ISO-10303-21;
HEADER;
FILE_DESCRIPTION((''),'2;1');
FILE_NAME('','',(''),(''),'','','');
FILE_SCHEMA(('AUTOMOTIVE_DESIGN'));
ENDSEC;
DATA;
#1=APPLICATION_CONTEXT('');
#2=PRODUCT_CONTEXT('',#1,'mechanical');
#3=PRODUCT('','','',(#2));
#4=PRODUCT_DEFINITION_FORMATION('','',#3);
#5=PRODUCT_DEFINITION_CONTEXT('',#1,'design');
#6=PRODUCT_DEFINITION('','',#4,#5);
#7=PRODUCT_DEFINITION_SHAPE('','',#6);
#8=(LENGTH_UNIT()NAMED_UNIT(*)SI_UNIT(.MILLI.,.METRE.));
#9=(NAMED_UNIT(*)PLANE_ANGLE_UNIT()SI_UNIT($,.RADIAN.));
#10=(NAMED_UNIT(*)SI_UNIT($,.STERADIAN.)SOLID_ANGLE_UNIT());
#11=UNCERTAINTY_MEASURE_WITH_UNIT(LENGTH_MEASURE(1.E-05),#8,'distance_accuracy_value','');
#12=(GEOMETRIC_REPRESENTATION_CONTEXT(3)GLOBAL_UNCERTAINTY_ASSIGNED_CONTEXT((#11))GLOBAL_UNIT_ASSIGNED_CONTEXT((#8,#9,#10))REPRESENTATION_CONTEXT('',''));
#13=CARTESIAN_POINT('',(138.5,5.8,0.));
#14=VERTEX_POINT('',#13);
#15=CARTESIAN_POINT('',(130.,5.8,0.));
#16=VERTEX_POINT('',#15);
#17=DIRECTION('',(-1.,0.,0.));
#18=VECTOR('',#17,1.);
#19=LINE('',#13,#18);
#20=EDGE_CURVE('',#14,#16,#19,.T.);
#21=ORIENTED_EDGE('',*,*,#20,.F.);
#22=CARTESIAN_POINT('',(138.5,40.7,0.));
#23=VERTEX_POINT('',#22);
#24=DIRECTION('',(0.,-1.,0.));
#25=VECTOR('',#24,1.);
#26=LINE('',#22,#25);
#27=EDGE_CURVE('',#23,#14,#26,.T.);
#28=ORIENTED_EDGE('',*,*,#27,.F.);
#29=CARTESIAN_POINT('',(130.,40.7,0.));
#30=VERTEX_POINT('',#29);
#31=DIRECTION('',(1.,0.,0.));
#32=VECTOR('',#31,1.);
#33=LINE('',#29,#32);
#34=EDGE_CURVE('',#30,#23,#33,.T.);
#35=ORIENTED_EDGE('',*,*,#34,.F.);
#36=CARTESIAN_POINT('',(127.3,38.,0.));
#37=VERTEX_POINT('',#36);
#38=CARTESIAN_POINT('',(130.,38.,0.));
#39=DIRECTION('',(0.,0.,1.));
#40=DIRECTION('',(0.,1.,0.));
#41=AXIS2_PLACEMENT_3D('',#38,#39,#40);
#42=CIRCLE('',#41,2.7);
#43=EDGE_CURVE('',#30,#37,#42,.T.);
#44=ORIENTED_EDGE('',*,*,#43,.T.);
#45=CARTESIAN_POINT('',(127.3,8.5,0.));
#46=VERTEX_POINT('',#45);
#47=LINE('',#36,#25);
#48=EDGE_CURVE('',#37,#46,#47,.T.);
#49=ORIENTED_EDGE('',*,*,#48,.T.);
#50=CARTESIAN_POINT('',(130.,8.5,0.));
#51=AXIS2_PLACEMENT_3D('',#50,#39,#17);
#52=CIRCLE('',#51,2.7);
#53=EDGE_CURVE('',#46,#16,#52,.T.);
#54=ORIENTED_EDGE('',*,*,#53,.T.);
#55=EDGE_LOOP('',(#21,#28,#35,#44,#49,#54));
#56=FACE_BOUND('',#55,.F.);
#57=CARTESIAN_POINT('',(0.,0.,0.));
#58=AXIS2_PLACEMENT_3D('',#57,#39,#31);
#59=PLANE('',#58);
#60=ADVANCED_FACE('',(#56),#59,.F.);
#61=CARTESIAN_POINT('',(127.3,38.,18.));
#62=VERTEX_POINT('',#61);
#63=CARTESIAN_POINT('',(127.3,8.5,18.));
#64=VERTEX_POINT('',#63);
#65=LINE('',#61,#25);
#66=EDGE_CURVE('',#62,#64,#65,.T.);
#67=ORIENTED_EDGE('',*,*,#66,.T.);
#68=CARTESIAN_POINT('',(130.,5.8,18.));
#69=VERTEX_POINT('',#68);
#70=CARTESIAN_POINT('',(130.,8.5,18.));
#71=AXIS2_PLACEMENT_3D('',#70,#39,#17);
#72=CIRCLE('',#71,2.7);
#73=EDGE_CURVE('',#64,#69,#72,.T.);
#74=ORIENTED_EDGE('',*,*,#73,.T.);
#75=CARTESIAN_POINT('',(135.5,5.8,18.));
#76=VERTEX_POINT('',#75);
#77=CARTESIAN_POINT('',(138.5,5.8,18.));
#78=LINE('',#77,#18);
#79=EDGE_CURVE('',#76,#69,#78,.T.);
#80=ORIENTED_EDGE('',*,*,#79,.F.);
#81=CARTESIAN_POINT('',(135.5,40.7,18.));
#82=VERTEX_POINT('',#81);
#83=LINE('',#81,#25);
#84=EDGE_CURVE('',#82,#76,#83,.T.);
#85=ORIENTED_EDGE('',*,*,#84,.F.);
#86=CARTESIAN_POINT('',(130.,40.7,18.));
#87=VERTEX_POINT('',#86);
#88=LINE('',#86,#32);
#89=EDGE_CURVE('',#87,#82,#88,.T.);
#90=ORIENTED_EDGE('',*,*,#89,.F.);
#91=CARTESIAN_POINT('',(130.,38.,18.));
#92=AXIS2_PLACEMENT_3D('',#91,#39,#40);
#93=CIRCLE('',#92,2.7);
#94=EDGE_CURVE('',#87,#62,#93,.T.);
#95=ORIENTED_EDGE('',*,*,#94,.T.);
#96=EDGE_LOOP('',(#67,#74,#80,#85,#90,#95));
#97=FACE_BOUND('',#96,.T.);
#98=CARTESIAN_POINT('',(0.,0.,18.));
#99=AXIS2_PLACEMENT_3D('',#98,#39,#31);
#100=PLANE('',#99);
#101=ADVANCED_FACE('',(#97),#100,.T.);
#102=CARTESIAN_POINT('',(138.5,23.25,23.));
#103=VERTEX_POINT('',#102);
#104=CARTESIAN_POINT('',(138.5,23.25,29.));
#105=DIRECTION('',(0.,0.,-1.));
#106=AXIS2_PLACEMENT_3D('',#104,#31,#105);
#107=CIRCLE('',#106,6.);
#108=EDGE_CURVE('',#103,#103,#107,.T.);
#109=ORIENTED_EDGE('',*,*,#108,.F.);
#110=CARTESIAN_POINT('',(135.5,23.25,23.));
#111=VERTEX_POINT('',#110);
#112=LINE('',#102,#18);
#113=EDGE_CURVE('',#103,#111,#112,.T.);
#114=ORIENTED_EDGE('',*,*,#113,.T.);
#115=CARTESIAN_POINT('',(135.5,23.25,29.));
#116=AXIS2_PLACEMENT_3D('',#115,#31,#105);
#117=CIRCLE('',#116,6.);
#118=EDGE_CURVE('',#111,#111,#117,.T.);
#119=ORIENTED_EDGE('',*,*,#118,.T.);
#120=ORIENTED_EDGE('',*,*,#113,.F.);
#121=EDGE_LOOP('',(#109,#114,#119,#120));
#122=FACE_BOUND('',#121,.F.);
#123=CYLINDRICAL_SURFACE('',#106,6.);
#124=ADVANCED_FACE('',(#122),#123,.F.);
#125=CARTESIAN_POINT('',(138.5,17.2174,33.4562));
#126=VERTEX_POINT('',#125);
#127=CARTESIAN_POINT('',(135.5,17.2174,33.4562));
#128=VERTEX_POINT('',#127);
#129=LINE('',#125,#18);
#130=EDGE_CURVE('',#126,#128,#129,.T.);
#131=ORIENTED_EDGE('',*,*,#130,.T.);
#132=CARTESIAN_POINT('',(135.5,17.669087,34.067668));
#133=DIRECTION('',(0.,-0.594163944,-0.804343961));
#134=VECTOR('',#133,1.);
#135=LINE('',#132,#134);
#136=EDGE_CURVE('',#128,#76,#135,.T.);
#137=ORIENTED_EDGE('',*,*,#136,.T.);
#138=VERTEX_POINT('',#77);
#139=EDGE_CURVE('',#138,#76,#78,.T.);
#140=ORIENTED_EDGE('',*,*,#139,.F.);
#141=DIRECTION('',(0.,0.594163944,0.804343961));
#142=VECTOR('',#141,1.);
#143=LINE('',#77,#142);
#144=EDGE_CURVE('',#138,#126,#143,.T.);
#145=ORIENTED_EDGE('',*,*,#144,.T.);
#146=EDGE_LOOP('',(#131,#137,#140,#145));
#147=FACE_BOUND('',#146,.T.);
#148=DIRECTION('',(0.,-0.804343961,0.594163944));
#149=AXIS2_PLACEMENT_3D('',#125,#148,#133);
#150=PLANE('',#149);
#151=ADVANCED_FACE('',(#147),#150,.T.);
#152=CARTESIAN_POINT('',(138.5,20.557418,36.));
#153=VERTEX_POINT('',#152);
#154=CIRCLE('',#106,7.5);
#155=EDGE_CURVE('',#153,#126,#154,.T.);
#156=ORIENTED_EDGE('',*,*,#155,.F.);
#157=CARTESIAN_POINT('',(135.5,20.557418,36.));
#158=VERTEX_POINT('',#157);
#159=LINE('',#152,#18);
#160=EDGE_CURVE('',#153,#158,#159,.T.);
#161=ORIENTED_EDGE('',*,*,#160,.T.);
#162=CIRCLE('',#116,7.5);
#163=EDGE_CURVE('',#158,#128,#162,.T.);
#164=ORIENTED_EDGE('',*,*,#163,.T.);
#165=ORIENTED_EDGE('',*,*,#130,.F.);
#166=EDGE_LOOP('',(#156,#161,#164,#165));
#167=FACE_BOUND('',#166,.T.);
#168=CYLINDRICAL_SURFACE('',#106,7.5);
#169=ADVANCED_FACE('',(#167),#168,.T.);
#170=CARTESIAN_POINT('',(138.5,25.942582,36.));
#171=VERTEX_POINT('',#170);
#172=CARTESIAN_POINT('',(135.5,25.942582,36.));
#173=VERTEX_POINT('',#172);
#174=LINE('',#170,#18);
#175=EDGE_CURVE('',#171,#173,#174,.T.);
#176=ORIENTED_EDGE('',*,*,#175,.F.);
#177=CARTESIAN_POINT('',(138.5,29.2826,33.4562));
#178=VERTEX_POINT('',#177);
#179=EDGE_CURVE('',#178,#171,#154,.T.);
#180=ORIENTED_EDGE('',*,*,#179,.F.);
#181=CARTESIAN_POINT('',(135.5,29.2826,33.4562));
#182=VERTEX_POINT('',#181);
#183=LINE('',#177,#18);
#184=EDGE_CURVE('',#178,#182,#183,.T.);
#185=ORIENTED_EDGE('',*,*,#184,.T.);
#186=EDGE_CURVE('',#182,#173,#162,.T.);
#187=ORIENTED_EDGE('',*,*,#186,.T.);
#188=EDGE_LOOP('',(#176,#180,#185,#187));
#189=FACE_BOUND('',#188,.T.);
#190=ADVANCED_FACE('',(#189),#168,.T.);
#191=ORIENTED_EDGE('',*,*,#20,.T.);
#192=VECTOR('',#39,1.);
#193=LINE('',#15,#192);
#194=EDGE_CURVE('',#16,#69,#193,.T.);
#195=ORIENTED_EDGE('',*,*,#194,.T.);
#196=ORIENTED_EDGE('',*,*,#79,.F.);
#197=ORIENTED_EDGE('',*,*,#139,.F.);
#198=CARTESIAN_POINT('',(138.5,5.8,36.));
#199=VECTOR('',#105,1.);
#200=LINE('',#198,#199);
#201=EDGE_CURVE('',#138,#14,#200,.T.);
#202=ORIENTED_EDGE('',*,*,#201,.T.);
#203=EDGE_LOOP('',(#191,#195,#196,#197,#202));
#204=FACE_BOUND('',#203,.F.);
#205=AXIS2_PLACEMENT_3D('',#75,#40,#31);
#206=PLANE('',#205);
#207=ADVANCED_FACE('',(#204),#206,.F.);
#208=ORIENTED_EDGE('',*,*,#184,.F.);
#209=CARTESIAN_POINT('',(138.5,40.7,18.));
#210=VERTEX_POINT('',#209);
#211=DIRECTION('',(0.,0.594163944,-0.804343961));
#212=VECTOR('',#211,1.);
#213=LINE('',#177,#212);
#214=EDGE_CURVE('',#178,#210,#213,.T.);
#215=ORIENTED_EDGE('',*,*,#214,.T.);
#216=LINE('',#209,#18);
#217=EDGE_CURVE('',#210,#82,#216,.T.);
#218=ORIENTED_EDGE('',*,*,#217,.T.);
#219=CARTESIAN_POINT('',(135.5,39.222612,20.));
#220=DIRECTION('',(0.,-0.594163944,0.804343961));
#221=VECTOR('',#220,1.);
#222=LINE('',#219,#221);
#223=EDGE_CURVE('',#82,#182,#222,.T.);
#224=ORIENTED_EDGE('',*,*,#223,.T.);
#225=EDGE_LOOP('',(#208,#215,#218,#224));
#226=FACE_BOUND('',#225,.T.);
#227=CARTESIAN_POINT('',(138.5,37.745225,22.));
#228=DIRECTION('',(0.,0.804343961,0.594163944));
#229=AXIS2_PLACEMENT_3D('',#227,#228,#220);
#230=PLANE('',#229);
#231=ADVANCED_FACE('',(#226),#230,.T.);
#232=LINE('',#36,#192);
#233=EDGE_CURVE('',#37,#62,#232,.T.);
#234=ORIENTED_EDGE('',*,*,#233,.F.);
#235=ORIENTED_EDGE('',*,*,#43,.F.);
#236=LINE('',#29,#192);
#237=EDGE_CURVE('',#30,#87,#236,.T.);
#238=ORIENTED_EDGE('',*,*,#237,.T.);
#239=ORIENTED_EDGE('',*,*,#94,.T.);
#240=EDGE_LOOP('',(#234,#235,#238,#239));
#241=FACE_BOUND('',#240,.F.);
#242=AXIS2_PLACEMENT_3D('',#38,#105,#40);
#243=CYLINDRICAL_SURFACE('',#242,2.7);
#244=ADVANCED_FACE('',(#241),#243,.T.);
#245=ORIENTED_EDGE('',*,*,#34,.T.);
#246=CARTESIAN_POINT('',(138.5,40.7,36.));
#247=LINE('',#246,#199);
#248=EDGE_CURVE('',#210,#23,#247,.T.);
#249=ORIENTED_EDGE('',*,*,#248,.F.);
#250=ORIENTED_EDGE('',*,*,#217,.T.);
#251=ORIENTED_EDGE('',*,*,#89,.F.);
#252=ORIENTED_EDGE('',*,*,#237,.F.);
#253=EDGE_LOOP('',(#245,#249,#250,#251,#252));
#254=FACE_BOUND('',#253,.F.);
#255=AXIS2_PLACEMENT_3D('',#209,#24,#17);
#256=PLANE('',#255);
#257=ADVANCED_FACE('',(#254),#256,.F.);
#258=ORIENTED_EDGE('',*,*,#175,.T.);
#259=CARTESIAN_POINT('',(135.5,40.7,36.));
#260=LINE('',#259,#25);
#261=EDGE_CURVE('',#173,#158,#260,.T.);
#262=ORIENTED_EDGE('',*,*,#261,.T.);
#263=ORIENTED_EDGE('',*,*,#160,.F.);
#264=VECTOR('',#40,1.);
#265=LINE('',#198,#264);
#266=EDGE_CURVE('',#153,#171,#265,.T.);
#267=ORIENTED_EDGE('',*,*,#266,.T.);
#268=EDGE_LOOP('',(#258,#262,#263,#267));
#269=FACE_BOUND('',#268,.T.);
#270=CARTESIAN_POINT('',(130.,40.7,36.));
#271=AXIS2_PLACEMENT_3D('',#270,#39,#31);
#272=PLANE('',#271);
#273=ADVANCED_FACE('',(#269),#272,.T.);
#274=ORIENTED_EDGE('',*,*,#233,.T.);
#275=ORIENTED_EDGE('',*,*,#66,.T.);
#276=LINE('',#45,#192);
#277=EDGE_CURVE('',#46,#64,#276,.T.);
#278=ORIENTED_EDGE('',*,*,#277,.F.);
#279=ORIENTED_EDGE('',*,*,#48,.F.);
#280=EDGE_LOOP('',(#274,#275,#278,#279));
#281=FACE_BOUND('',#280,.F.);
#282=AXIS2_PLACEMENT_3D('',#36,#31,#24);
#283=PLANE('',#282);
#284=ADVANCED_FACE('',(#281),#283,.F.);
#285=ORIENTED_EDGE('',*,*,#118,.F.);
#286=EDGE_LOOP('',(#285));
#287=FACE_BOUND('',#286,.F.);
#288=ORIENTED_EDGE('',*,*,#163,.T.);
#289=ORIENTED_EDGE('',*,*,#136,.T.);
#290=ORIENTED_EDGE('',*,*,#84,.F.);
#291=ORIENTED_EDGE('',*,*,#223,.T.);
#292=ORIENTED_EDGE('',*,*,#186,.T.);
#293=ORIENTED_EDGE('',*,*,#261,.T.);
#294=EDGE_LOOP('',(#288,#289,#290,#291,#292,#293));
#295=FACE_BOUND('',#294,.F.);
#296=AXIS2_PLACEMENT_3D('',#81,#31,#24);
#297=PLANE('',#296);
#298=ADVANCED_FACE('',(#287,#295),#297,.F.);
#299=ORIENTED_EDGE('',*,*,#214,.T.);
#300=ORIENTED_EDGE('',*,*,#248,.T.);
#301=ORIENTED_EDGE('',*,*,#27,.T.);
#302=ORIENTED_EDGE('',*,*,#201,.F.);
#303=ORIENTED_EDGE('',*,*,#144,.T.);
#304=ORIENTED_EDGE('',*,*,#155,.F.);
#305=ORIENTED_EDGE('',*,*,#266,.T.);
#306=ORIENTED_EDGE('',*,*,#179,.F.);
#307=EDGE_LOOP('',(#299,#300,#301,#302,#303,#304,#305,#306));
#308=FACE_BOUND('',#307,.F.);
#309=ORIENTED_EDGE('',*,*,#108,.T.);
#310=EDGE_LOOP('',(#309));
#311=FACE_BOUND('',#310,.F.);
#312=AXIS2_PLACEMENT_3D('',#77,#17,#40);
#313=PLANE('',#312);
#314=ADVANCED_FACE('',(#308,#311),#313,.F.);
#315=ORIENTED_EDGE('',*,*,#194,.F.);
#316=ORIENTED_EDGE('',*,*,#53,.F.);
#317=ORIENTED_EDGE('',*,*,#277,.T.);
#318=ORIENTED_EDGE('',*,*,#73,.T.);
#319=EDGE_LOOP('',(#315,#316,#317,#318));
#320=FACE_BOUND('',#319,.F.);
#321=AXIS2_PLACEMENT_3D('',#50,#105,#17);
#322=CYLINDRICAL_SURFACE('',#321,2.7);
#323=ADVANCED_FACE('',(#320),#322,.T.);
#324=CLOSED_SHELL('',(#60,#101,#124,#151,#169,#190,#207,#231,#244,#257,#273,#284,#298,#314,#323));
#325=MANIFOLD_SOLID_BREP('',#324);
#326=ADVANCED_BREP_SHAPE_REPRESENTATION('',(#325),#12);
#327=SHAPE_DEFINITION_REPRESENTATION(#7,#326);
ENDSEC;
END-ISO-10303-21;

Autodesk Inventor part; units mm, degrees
ref_plane "YZ Plane" through (0, 0, 0) normal (1, 0, 0) x (0, 1, 0)
ref_plane "XZ Plane" through (0, 0, 0) normal (0, 1, 0) x (-1, 0, 0)
ref_plane "Work Plane1" through (0, 0, 0) normal (0, 0, 1) x (1, 0, 0)
sketch "Sketch1" plane through (0, 0, 0) normal (0, 0, 1) x (1, 0, 0)
  circle A0 centre (119.5, 7) radius 3.3 projected
  circle A1 centre (119.5, 38) radius 3.3 projected
  circle A2 centre (88.5, 38) radius 3.3 projected
  circle A3 centre (88.5, 7) radius 3.3 projected
  circle A4 centre (104, 22.5) radius 11 projected
  circle A5 centre (-76, 8.5) radius 1.7 projected
  circle A6 centre (-76, 38) radius 1.7 projected
  circle A7 centre (-45, -33.5) radius 4.3 projected
  circle A8 centre (-45, -3) radius 4.3 projected
  circle A9 centre (-60.5, 12.5) radius 1.7 projected
  circle A10 centre (-60.5, 43.5) radius 1.7 projected
  circle A11 centre (-29.5, 43.5) radius 1.7 projected
  circle A12 centre (-29.5, 12.5) radius 1.7 projected
  circle A13 centre (-45, 28) radius 11.5 projected
  circle A14 centre (-122.5, -32.5) radius 3.3 projected
  circle A15 centre (-83.5, -32.5) radius 3.3 projected
  circle A16 centre (83.5, -32.5) radius 3.3 projected
  circle A17 centre (122.5, -32.5) radius 3.3 projected
  circle A18 centre (-103, 22.5) radius 2.75 projected
  circle A19 centre (78, 8.5) radius 1.7 projected
  circle A20 centre (78, 38) radius 1.7 projected
  circle A21 centre (-130, 8.5) radius 1.7 projected
  circle A22 centre (-130, 38) radius 1.7 projected
  circle A23 centre (130, 38) radius 1.7 projected
  circle A24 centre (130, 8.5) radius 1.7 projected
  arc A25 (-135, -38.5) -> (-130, -43.5) centre (-130, -38.5) ccw projected
  line L0 (130, -43.5) -> (-130, -43.5) projected
  arc A26 (130, -43.5) -> (135, -38.5) centre (130, -38.5) ccw projected
  line L1 (135, 38.5) -> (135, -38.5) projected
  arc A27 (135, 38.5) -> (130, 43.5) centre (130, 38.5) ccw projected
  line L2 (-24, 43.5) -> (130, 43.5) projected
  line L3 (-24, 43.5) -> (-24, 45.5) projected
  line L4 (-24, 45.5) -> (-27.5, 49) projected
  line L5 (-27.5, 49) -> (-62.5, 49) projected
  line L6 (-62.5, 49) -> (-66, 45.5) projected
  line L7 (-66, 45.5) -> (-66, 43.5) projected
  line L8 (-130, 43.5) -> (-66, 43.5) projected
  arc A28 (-130, 43.5) -> (-135, 38.5) centre (-130, 38.5) ccw projected
  line L9 (-135, -38.5) -> (-135, 38.5) projected
  line L10 (-115.5, -26.5) -> (-115.5, -38.5) projected
  line L11 (-90.5, -26.5) -> (-115.5, -26.5) projected
  line L12 (-90.5, -38.5) -> (-90.5, -26.5) projected
  line L13 (-115.5, -38.5) -> (-90.5, -38.5) projected
  line L14 (117.5, -38.5) -> (117.5, -26.5) projected
  line L15 (90.5, -38.5) -> (117.5, -38.5) projected
  line L16 (90.5, -26.5) -> (90.5, -38.5) projected
  line L17 (117.5, -26.5) -> (90.5, -26.5) projected
  line L18 (130, 38) -> (130, 8.5) construction
  line L19 (127.3, 38) -> (127.3, 8.5)
  arc A29 (130, 40.7) -> (127.3, 38) centre (130, 38) ccw
  arc A30 (127.3, 8.5) -> (130, 5.8) centre (130, 8.5) ccw
  line L20 (135, 38.5) -> (135, 40.7)
  line L21 (130, 5.8) -> (138.5, 5.8)
  line L22 (135.5, 40.7) -> (135.5, 5.8)
  line L23 (138.5, 40.7) -> (138.5, 5.8)
  line L24 (138.5, 40.7) -> (130, 40.7)
  point P0 (0, 0)
  point P1 (130, 23.25)
  dimension "d0" = 5.4
  dimension "d1" = 0.5
  dimension "d2" = 3
ref_plane "Work Plane2" through (-135, -43.5, 18) normal (0, 0, -1) x (0, 1, 0)
extrude "Extrusion1" add sketch "Sketch1" along normal up to surface (18 mm away) contours A23 | A24 | L21 A30 L19 A29 L24 A27 L1 | L1 L20 L24 L22 L21 | A27 L24 L20 | L22 L24 L23 L21
sketch "Sketch2" plane through (130, 40.7, 18) normal (0, 0, 1) x (1, 0, 0)
  arc A0 (0, 0) -> (-2.7, -2.7) centre (0, -2.7) ccw projected
  line L0 (8.5, 0) -> (0, 0) projected
  line L1 (8.5, -34.9) -> (8.5, 0) projected
  line L2 (0, -34.9) -> (8.5, -34.9) projected
  arc A1 (-2.7, -32.2) -> (0, -34.9) centre (0, -32.2) ccw projected
  line L3 (-2.7, -2.7) -> (-2.7, -32.2) projected
  line L4 (5.5, 0) -> (5.5, -34.9) projected
  line L5 (5, -2.2) -> (5, 0) projected
  line L6 (5, -2.2) -> (5, -79.2) projected
  point P0 (-130, -40.7)
extrude "Extrusion2" add sketch "Sketch2" along normal blind 18 contours L0 L1 L2 L4
sketch "Sketch3" plane through (138.5, 5.8, 0) normal (1, 0, 0) x (0, 0, -1)
  line L0 (-36, 0) -> (-36, 34.9) projected
  line L1 (-22, 32.7) -> (-22, -44.3) projected
  line L2 (-22, 32.7) -> (-22, 37.7) projected
  circle A0 centre (-29, 17.45) radius 7.5
  line L3 (-36, 17.45) -> (-22, 17.45) construction
  line L4 (-18, 37.7) -> (-18, 32.7) projected
  line L5 (-18, 32.7) -> (-18, -44.3) projected
  line L6 (-18, 34.9) -> (-36, 34.9) projected
  line L7 (0, 0) -> (-36, 0) projected
  line L8 (-18, 34.9) -> (-33.4562, 23.4826)
  line L9 (-33.4562, 11.4174) -> (-18, 0)
  circle A1 centre (-29, 17.45) radius 6
  point P0 (0, -5.8)
  point P1 (-36, 20.1426)
  point P2 (-36, 14.7574)
  point P3 (-22, 20.1426)
  point P4 (-22, 14.7574)
  dimension "d7" = 15
  dimension "d8" = 12
extrude "Extrusion3" cut sketch "Sketch3" against normal through all contours L0 A0 L9 L1 L7 | A0 L0 | L1 L9 L7 | L0 L6 L2 L1 L8 A0 | L6 L8 L1 L2 | A1
properties part number "tumbler_holdeerr"
